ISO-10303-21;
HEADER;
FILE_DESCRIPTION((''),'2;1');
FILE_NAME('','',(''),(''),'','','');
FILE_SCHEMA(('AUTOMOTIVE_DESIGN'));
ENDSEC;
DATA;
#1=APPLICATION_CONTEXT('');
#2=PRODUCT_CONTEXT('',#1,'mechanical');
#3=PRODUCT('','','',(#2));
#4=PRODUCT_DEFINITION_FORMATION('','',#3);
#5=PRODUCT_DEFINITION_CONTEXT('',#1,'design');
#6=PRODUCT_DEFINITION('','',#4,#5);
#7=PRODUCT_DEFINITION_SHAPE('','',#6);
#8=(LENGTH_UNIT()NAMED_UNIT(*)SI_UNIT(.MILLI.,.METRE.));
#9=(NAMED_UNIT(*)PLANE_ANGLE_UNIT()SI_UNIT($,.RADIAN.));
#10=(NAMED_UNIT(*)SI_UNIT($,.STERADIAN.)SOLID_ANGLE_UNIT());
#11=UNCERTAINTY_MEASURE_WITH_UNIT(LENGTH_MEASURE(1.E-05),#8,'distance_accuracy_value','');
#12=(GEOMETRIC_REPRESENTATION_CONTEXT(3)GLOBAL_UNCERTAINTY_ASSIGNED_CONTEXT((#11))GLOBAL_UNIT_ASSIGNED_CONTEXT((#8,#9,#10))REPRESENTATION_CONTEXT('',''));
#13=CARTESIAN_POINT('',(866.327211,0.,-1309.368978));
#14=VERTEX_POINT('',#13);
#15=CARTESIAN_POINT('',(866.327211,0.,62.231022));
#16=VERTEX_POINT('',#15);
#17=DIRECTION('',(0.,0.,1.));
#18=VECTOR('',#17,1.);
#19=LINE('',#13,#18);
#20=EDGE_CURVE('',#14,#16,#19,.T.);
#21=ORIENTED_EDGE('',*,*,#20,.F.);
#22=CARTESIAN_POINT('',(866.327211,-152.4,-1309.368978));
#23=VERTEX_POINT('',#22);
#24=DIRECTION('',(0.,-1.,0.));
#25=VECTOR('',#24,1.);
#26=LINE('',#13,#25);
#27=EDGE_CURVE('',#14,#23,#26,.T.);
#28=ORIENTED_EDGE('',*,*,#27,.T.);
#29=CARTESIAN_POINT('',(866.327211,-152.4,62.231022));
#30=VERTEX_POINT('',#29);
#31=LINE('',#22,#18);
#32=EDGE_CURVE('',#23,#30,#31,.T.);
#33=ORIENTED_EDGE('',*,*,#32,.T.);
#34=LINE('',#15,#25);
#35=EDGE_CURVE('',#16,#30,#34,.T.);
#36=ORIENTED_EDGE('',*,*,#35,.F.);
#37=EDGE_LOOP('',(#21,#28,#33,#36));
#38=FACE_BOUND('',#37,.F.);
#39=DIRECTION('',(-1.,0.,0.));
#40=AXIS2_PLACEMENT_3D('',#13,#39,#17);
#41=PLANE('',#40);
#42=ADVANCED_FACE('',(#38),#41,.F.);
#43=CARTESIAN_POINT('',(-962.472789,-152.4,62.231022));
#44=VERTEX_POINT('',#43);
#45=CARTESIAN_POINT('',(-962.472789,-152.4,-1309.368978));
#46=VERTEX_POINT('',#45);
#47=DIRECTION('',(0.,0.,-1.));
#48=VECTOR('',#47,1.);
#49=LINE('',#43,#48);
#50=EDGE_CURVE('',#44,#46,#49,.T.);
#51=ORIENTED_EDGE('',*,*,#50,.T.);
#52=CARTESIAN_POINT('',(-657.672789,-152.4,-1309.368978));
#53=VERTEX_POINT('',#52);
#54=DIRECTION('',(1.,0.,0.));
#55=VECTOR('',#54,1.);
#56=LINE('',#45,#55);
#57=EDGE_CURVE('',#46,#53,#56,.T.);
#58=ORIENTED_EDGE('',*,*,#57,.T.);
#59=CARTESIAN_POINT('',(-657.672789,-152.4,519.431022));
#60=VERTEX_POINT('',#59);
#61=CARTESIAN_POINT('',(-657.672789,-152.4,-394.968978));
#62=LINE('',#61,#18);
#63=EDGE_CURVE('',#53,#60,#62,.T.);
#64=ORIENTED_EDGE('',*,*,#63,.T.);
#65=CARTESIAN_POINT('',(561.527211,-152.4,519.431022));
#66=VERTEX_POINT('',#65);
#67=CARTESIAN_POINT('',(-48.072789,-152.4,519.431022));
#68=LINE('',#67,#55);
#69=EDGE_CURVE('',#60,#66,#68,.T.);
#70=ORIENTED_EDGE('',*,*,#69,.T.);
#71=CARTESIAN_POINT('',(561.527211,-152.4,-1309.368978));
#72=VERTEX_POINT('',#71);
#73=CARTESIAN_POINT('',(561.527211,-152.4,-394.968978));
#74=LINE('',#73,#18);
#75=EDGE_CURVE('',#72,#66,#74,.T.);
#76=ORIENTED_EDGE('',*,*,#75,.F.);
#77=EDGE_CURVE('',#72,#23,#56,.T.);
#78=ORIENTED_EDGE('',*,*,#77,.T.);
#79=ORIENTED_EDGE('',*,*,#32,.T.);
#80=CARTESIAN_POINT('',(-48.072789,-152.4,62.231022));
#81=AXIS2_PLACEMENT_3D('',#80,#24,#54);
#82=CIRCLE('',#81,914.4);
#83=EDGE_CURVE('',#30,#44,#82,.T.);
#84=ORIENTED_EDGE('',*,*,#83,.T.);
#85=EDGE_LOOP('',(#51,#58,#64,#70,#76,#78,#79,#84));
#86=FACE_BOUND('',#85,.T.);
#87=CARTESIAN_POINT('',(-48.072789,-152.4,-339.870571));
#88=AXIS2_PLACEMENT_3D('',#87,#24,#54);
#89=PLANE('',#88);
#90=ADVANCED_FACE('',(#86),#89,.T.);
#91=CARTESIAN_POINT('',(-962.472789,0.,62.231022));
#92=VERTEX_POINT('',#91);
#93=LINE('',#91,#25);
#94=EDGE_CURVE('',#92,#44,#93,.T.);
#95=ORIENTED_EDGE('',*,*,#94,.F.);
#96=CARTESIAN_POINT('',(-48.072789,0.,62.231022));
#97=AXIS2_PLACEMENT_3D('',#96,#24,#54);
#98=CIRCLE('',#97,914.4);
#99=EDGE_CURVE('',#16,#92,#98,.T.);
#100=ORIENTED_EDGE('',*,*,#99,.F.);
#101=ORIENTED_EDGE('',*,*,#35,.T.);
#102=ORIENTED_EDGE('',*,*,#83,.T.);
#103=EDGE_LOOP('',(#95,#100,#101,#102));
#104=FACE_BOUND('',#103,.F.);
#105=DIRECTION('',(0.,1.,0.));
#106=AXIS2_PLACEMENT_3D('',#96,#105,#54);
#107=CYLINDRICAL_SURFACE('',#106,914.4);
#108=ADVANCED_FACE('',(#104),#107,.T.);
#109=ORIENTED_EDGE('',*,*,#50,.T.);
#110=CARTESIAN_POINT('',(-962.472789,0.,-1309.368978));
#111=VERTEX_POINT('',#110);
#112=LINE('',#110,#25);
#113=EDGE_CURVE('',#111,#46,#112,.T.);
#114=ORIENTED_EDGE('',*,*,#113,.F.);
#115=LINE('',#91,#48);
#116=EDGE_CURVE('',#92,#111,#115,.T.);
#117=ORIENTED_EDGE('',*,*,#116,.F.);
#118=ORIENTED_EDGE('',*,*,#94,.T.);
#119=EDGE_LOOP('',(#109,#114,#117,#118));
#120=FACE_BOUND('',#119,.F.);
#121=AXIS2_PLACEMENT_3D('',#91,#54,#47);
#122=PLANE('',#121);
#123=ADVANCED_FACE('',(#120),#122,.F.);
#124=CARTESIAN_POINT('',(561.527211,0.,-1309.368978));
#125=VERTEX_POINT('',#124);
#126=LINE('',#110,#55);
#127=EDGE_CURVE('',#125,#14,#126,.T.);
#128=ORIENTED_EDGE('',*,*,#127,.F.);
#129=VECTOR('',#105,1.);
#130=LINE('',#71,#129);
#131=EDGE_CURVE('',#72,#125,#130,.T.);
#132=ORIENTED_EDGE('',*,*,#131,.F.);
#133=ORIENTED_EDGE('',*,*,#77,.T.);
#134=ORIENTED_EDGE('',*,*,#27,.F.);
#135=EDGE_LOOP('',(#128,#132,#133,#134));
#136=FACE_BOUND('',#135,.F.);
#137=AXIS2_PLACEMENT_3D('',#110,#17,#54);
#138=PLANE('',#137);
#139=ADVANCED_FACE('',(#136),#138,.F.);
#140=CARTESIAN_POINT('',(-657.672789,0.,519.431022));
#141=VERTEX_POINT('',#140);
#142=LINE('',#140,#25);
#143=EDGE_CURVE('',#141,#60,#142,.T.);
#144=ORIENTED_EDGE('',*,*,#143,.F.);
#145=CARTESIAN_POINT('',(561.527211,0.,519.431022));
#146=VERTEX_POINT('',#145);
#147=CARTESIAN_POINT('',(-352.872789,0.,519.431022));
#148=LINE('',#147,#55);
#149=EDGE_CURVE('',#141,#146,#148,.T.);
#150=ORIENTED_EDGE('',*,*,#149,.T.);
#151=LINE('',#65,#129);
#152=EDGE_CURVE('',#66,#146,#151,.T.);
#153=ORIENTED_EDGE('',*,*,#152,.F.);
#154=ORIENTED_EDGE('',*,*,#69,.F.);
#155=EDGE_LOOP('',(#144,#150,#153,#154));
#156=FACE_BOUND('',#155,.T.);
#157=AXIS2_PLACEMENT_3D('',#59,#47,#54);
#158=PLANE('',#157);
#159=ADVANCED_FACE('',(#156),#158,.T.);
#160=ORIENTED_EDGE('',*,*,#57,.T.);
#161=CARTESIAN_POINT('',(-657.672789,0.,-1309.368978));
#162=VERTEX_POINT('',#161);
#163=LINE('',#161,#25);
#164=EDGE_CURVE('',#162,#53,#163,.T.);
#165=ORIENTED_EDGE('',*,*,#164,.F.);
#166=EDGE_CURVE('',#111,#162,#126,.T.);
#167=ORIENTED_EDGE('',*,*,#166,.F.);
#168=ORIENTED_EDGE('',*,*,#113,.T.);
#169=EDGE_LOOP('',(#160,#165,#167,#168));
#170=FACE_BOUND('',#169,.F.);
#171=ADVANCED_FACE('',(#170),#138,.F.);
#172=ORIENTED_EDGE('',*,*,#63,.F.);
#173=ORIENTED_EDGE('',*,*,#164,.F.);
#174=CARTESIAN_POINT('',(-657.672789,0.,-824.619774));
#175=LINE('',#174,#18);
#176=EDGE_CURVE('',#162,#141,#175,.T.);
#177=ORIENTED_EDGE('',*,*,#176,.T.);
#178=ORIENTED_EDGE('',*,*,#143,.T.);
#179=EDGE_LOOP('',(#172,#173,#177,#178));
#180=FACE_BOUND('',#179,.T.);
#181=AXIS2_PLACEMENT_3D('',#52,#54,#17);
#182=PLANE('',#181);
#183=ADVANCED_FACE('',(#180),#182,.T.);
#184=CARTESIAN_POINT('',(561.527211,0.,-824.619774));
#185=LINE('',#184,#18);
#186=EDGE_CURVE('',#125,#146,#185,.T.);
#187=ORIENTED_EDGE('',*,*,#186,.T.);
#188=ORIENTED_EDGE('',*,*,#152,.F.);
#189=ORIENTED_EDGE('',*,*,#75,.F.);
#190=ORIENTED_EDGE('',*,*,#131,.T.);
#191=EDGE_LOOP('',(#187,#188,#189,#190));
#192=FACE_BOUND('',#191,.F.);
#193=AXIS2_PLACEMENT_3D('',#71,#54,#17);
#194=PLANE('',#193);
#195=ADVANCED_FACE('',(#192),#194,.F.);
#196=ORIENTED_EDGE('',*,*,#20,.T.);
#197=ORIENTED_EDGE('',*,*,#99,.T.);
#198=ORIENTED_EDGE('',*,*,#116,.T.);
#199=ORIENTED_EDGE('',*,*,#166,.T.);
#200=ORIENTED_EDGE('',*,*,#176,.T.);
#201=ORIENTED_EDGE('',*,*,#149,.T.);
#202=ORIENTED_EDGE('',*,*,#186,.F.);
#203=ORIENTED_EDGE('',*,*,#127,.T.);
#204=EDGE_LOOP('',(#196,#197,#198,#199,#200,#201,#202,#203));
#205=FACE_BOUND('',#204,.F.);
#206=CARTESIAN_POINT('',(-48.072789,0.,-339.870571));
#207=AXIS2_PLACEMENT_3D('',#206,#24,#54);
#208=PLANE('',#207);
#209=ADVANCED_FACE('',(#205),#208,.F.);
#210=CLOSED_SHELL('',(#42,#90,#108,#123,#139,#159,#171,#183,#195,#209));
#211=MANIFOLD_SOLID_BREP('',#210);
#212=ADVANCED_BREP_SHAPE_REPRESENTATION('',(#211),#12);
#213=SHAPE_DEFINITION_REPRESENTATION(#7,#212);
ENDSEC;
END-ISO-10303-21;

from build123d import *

# Parameters (mm, degrees)
F1_DEPTH = 152.4
F2_W     = 1219.2
F2_H     = 1828.8
F3_DEPTH = 25.4
F4_DEPTH = 152.401


with BuildPart() as f1:
    # F0 (on Front) → F1 (new body)
    with BuildSketch(Plane.XZ):
        with BuildLine():
            Line((-962.472789, 62.231022), (-962.472789, -1309.368978))
            Line((-962.472789, -1309.368978), (866.327211, -1309.368978))
            Line((866.327211, -1309.368978), (866.327211, 62.231022))
            ThreePointArc((866.327211, 62.231022), (-48.072789, 976.631022), (-962.472789, 62.231022))
        make_face()
    extrude(amount=F1_DEPTH)

    # F2 (on face) → F3 (cut)
    with BuildSketch(Plane.XZ.offset(152.4)):
        with Locations((-48.072789, -394.968978)):
            Rectangle(F2_W, F2_H)
    extrude(amount=-F3_DEPTH, mode=Mode.SUBTRACT)

    # F2 (on face) → F4 (cut, through all)
    with BuildSketch(Plane.XZ.offset(152.4)):
        with Locations((-48.072789, -394.968978)):
            Rectangle(F2_W, F2_H)
    extrude(amount=-F4_DEPTH, mode=Mode.SUBTRACT)


solid = f1.part
